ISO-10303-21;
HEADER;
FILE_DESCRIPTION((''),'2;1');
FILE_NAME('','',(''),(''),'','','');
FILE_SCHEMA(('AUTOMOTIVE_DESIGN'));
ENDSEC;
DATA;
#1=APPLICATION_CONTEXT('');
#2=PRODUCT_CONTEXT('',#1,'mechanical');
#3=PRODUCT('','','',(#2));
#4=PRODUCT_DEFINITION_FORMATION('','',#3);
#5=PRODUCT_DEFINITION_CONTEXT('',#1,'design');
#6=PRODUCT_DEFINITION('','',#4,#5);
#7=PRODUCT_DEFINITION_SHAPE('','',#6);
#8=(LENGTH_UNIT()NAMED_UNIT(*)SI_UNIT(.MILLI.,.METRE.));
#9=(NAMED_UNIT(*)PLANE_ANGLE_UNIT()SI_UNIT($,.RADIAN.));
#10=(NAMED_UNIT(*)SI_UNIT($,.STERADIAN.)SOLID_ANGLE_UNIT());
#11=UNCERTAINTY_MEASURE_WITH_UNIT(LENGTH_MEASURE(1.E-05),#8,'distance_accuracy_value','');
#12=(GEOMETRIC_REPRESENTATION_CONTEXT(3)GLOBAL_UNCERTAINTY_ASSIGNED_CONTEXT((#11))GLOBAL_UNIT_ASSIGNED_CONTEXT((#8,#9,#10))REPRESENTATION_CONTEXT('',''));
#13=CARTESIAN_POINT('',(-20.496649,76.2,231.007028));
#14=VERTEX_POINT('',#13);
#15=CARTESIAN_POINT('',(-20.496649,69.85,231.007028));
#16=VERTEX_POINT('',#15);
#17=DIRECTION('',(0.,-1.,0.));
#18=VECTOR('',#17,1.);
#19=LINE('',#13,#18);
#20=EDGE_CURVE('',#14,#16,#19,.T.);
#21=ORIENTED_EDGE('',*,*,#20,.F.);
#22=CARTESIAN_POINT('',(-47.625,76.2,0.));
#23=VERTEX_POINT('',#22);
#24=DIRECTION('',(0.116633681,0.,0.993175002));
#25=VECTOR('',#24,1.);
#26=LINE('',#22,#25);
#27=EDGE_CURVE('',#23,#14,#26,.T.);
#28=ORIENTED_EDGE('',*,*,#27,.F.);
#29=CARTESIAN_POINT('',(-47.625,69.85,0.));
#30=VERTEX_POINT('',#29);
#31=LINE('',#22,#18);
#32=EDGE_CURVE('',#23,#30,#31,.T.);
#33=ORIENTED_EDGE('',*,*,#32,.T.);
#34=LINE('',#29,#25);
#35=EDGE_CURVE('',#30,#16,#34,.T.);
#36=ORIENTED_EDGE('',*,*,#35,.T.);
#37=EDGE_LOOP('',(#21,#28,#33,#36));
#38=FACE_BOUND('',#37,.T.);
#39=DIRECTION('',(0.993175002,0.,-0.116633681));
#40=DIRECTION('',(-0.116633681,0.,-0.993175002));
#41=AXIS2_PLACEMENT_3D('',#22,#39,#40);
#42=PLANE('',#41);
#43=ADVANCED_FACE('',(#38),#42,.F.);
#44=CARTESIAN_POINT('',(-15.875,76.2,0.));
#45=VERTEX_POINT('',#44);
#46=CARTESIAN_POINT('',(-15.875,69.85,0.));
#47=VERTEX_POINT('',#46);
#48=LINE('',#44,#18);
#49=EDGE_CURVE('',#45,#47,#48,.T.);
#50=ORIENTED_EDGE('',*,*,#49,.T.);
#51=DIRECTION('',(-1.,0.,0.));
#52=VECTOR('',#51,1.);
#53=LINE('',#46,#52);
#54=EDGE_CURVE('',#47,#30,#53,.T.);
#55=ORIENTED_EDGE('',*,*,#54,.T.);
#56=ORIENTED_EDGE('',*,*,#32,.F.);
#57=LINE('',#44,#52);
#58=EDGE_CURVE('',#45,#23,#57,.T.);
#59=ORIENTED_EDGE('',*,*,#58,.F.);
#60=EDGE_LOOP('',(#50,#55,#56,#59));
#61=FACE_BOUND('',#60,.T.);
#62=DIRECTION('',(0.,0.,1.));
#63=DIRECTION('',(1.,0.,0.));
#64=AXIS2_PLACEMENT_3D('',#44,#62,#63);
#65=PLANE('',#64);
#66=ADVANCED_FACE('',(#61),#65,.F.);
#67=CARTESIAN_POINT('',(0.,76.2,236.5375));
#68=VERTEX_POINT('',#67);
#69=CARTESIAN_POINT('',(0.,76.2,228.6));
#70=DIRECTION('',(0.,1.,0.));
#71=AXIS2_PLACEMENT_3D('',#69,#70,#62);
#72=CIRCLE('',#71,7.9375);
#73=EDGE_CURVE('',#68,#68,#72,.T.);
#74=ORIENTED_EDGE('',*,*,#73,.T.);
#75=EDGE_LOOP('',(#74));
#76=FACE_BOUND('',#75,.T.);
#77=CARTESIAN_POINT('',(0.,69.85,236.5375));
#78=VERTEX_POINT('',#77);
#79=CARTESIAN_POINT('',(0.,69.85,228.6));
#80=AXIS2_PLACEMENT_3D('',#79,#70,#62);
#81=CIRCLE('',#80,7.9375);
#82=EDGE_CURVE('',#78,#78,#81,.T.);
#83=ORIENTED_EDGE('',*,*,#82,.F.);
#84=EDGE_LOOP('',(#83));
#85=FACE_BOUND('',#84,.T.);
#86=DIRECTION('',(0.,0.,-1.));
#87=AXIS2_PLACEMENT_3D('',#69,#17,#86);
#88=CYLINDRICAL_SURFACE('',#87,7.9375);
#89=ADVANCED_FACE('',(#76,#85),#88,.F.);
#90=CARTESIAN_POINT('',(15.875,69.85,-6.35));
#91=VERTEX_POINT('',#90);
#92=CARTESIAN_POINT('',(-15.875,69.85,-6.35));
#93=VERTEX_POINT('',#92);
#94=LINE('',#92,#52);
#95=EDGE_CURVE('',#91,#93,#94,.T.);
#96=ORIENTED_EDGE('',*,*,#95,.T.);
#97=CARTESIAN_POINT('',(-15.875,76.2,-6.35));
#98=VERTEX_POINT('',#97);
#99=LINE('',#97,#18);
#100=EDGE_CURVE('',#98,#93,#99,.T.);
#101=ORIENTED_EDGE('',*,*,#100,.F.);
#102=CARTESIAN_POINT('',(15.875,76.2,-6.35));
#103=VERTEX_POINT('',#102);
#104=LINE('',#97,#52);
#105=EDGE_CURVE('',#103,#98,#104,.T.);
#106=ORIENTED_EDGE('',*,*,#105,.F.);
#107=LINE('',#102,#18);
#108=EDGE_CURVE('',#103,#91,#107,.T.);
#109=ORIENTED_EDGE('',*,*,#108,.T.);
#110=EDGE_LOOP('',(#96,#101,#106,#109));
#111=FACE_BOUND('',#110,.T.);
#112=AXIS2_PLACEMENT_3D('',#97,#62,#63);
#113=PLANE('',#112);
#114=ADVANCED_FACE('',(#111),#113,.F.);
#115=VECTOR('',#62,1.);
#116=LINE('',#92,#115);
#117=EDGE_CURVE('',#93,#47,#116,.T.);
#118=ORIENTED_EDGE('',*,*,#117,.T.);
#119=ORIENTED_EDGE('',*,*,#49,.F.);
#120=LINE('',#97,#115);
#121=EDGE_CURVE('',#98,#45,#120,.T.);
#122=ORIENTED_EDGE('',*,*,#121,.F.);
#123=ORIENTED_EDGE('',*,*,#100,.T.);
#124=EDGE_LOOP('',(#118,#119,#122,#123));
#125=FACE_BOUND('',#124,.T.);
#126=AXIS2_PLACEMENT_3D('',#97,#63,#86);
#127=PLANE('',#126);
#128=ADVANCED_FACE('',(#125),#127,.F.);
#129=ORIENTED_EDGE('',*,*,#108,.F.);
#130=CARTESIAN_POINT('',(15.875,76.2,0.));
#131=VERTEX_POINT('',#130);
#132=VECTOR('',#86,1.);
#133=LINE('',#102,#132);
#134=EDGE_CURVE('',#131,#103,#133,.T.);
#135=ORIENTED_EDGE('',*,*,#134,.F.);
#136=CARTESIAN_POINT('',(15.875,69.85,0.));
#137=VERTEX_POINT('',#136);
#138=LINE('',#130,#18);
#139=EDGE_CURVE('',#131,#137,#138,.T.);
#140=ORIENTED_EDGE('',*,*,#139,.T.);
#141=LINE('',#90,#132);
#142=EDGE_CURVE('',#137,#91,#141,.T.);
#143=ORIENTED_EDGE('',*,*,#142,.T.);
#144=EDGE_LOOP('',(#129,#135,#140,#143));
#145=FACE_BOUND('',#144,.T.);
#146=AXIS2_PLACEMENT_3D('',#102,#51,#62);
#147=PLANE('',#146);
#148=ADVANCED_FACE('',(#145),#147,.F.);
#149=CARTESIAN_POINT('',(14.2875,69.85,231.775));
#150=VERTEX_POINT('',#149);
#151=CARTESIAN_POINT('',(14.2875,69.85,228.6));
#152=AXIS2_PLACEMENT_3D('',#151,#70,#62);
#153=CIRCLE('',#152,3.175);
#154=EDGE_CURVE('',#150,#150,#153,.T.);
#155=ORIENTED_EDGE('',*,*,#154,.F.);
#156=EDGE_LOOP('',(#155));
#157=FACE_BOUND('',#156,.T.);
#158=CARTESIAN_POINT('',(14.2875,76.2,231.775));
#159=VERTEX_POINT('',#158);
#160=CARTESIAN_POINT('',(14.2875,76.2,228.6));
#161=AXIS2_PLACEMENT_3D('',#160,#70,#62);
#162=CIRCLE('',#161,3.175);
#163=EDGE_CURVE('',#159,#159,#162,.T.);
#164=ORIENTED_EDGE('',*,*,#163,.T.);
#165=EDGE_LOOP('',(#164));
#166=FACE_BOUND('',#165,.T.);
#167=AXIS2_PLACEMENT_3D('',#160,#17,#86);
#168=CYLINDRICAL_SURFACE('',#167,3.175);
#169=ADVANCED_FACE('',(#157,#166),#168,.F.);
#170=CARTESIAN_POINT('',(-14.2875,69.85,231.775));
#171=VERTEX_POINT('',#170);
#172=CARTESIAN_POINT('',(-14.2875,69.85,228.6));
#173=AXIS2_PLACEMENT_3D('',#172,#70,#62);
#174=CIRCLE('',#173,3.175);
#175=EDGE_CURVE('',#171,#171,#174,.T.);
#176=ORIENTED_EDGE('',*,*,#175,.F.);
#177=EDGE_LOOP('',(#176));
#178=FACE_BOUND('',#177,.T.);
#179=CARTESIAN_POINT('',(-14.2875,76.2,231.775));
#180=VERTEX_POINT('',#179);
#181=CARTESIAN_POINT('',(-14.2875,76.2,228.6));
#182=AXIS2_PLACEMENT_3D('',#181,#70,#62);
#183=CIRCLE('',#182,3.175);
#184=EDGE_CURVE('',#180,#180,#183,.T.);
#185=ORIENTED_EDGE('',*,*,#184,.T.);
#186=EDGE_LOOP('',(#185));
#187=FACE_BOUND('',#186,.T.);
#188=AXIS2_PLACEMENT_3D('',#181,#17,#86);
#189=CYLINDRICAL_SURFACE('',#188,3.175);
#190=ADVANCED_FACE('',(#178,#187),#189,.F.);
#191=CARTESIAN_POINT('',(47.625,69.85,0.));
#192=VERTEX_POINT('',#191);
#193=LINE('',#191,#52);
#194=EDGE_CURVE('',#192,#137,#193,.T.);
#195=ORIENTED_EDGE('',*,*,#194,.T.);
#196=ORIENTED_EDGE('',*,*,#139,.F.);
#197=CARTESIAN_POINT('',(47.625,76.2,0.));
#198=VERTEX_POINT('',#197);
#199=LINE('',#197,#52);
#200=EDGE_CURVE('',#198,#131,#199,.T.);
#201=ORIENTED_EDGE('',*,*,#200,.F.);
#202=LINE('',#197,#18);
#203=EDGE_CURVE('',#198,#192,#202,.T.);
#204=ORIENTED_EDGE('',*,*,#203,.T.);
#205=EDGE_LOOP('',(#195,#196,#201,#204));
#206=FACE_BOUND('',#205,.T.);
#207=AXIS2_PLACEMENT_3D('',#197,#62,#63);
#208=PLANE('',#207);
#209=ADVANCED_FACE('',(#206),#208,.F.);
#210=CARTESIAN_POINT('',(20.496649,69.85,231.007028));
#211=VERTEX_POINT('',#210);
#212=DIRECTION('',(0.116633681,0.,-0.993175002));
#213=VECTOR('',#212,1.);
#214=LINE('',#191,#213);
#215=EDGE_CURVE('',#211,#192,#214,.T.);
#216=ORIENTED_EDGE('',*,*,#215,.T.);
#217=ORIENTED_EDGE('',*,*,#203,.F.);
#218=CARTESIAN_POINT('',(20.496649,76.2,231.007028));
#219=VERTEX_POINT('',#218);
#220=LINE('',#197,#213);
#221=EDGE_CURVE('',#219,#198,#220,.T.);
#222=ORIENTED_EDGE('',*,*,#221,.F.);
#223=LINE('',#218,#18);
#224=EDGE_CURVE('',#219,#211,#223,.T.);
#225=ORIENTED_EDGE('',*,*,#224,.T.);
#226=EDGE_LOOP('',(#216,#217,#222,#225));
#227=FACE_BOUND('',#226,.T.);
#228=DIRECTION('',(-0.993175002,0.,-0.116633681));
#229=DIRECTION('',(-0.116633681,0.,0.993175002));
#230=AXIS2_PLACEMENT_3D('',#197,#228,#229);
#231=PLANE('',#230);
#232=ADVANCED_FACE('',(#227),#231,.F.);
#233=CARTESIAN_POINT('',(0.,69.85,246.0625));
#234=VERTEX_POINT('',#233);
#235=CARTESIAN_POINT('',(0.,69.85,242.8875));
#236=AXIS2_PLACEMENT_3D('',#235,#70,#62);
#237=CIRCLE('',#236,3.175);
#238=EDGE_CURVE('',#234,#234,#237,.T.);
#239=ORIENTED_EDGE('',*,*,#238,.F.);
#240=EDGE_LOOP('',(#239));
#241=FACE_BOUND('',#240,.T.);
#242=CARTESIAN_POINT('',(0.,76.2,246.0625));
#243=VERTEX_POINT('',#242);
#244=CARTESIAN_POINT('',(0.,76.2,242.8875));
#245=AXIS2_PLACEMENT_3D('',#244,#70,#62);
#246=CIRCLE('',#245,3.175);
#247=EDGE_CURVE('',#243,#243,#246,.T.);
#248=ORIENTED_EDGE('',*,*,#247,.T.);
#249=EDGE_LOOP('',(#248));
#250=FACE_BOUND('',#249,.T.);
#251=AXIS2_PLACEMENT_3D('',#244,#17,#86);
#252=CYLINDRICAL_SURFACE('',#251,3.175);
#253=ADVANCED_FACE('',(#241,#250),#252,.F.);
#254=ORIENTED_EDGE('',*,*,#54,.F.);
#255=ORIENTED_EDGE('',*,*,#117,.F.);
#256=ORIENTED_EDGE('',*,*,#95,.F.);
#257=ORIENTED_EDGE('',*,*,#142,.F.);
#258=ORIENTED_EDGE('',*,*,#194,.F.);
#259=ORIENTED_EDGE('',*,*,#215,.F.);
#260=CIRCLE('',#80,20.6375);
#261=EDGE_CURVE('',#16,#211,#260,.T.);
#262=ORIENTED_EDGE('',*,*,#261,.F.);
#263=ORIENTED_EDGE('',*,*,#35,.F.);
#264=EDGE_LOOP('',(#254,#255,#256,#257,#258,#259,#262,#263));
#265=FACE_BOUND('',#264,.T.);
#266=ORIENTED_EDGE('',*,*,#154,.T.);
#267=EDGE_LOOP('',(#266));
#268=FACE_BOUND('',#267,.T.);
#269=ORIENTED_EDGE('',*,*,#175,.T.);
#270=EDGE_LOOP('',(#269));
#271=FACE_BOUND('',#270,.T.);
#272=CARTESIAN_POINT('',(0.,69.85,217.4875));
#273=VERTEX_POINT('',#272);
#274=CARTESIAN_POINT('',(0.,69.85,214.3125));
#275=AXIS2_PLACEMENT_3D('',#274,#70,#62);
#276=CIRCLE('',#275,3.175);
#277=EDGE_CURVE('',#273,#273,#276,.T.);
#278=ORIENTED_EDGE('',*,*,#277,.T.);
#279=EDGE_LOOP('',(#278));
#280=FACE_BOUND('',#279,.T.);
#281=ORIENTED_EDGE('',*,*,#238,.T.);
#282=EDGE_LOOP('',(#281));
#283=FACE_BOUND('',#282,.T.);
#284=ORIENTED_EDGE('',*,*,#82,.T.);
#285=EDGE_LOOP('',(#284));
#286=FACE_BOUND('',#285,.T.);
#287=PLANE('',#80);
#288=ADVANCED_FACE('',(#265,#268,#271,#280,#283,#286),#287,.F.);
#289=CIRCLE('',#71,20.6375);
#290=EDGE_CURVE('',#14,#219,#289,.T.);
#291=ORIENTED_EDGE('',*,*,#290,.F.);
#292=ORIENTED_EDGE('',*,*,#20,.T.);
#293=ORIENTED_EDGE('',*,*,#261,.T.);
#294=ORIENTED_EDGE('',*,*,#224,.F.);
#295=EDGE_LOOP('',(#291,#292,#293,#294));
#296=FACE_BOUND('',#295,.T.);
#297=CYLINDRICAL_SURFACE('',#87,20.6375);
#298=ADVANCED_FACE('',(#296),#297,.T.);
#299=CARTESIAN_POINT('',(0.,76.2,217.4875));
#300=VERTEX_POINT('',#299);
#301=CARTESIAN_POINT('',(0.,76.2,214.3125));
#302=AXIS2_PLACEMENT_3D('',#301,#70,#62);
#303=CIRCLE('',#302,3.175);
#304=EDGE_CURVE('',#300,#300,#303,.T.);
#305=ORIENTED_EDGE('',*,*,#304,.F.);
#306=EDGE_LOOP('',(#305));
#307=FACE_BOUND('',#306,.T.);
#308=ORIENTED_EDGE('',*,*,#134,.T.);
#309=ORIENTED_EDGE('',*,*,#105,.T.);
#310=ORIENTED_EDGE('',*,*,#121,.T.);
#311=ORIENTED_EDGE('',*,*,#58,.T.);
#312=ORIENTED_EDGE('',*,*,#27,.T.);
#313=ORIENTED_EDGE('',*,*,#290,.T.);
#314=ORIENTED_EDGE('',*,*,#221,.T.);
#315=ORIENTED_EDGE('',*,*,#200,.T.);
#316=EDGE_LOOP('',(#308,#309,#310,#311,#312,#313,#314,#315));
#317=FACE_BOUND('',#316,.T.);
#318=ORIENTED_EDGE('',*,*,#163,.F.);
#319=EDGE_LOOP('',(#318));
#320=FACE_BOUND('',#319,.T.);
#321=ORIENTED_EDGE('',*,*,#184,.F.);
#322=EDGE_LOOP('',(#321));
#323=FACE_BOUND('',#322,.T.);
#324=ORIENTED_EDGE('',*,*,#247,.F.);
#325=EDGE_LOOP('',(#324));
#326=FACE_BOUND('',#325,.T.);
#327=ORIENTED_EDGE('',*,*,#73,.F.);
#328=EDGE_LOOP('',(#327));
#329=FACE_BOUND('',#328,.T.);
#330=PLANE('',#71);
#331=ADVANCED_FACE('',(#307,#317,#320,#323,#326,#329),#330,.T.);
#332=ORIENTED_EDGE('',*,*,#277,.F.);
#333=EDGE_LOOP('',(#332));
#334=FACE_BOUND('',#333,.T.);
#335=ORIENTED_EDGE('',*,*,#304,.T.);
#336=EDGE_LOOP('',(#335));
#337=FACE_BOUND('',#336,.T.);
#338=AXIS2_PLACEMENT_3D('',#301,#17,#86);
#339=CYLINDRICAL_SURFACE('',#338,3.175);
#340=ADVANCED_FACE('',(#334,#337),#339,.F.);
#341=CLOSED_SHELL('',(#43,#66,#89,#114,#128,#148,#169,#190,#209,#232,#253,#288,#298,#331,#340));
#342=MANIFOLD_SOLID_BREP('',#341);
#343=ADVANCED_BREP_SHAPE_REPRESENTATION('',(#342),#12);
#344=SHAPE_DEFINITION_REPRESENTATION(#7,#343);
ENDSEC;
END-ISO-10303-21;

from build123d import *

# Parameters (mm, degrees)
SKETCH2_R           = 7.9375
SKETCH2_R_2         = 3.175
BOSS_EXTRUDE1_DEPTH = 6.35


with BuildPart() as part:
    # Sketch2 → Boss-Extrude1 (new body)
    with BuildSketch(Plane(origin=(0, 69.85, 0), x_dir=(1, 0, 0), z_dir=(0, 1, 0))):
        with BuildLine():
            Line((-15.875, 6.35), (15.875, 6.35))
            Line((15.875, 6.35), (15.875, 0))
            Line((15.875, 0), (47.625, 0))
            Line((47.625, 0), (20.496649102, -231.007027591))
            ThreePointArc((20.496649102, -231.007027591), (0, -249.2375), (-20.496649102, -231.007027591))
            Line((-20.496649102, -231.007027591), (-47.625, 0))
            Line((-47.625, 0), (-15.875, 0))
            Line((-15.875, 0), (-15.875, 6.35))
        make_face()
        with Locations((0, -228.6)):
            Circle(SKETCH2_R, mode=Mode.SUBTRACT)
        with Locations((0, -214.3125)):
            Circle(SKETCH2_R_2, mode=Mode.SUBTRACT)
        with Locations((14.2875, -228.6)):
            Circle(SKETCH2_R_2, mode=Mode.SUBTRACT)
        with Locations((0, -242.8875)):
            Circle(SKETCH2_R_2, mode=Mode.SUBTRACT)
        with Locations((-14.2875, -228.6)):
            Circle(SKETCH2_R_2, mode=Mode.SUBTRACT)
    extrude(amount=BOSS_EXTRUDE1_DEPTH)


solid = part.part
